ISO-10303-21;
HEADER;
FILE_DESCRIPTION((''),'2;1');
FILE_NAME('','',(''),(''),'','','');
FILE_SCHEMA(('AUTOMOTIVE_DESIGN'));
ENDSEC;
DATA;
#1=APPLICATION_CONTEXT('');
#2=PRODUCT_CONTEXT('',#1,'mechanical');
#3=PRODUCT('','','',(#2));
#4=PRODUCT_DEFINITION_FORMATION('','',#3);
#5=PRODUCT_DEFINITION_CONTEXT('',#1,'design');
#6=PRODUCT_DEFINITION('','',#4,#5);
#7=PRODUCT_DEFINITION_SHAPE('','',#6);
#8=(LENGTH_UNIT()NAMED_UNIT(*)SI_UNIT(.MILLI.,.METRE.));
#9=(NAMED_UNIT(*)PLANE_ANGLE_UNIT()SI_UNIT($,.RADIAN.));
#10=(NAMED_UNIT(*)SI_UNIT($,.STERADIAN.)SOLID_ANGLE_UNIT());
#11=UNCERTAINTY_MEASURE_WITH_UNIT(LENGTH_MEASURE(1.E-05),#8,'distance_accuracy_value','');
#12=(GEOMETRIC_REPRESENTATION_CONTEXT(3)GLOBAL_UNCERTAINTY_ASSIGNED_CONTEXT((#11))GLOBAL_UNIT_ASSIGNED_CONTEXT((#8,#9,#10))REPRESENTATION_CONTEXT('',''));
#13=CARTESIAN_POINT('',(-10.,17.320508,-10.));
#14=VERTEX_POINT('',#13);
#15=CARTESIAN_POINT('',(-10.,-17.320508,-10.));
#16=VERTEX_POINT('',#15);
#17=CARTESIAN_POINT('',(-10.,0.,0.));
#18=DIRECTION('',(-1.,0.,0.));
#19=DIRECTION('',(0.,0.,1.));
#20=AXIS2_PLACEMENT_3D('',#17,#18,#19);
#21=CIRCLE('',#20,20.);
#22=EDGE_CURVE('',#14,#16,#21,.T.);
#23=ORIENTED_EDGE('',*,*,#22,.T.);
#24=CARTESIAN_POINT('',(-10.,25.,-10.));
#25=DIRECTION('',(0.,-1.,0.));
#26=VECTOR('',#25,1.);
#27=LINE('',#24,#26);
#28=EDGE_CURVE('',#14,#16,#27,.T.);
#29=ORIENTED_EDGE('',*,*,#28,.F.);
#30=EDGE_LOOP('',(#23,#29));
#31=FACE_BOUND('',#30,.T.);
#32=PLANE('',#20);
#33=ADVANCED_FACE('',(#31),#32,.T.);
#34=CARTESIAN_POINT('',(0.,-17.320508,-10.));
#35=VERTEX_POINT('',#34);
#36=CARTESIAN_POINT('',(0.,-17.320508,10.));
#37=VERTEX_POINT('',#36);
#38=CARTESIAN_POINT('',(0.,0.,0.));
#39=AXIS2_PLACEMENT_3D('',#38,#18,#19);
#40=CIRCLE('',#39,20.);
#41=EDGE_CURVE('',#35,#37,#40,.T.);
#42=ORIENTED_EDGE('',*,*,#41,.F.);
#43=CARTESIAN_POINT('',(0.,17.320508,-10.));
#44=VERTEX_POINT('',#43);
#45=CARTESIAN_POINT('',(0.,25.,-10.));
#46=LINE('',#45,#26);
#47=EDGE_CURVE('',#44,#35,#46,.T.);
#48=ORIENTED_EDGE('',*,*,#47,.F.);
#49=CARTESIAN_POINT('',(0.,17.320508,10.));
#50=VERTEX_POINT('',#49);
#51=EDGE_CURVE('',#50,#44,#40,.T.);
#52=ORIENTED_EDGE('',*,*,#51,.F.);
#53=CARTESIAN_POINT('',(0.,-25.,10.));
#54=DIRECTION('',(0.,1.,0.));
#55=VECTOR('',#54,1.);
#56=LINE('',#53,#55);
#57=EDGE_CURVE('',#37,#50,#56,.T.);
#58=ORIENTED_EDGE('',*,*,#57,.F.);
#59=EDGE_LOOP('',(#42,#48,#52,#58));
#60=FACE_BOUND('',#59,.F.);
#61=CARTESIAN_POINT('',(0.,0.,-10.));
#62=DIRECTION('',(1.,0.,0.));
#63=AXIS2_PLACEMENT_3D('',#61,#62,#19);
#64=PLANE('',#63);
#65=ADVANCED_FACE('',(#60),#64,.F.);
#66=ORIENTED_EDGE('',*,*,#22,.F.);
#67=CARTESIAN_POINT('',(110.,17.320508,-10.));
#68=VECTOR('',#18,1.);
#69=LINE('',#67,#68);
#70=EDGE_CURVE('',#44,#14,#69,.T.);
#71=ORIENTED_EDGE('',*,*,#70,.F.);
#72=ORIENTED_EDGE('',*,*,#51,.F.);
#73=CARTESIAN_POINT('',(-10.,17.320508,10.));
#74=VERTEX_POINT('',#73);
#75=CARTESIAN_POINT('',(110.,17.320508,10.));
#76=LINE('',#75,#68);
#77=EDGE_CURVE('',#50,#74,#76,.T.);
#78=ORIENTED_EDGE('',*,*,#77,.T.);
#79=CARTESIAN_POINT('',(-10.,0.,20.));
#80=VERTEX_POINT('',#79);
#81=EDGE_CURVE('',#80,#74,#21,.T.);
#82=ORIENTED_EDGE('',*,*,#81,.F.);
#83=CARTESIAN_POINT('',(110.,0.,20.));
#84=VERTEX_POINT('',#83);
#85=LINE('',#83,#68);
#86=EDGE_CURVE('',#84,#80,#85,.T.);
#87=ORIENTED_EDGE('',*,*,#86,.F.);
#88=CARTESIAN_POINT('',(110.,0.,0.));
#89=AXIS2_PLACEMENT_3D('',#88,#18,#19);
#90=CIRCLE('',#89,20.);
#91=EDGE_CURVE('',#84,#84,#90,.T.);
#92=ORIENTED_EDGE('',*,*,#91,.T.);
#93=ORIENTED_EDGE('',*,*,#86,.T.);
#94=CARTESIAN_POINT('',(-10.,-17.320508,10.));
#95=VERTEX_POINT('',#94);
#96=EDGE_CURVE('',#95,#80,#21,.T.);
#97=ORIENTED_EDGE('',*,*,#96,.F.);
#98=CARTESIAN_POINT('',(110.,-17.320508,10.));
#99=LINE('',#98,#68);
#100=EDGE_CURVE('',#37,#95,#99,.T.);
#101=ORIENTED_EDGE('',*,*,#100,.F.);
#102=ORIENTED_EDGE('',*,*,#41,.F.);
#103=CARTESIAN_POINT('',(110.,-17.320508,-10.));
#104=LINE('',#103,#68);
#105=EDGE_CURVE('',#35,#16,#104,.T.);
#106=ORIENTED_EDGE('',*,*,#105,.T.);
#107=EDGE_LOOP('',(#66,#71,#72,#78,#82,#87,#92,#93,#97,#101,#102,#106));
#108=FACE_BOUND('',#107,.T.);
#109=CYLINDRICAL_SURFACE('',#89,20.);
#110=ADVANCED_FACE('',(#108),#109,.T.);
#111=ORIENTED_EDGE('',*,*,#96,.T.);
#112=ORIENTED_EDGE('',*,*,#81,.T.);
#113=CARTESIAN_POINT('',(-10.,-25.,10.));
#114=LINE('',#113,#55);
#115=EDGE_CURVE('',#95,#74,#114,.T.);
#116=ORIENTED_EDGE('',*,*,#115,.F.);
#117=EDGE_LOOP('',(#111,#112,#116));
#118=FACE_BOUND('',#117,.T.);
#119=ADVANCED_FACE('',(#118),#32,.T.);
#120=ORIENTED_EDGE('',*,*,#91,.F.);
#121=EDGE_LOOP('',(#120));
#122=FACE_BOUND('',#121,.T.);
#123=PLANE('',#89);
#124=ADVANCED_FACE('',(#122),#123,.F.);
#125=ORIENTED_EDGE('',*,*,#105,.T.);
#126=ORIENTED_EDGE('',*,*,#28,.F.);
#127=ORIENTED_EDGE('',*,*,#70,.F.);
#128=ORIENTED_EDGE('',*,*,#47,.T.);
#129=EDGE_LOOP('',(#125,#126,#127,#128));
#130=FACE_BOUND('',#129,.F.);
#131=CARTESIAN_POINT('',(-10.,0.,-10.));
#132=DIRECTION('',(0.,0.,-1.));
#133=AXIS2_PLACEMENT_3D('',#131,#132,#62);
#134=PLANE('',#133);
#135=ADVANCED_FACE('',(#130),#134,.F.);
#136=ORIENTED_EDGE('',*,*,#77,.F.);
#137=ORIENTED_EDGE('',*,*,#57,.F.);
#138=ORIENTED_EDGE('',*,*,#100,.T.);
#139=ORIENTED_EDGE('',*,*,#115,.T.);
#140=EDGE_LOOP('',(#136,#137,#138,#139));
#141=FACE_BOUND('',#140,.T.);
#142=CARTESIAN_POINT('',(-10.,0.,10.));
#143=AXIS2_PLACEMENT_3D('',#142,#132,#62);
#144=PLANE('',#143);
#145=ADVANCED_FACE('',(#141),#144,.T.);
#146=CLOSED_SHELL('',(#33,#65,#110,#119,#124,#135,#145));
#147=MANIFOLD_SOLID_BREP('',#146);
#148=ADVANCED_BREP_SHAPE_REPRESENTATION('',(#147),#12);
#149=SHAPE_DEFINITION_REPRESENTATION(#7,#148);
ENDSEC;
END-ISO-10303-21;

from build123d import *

# Parameters (mm, degrees)
F0_W     = 10
F0_H     = 10
F2_DEPTH = 25


with BuildPart() as f1:
    # F0 (on Front) → F1 (revolve)
    with BuildSketch(Plane.XZ):
        with Locations((-5, 5)):
            Rectangle(F0_W, F0_H)
        Polygon((0, 10), (0, 0), (110, 0), (110, 20), (-10, 20), (-10, 10), align=None)
    revolve(axis=Axis((55, 0, 0), (-1, 0, 0)))

    # F0 (on Front) → F2 (cut, symmetric)
    with BuildSketch(Plane.XZ):
        with Locations((-5, 5)):
            Rectangle(F0_W, F0_H)
        with Locations((-5, -5)):
            Rectangle(F0_W, F0_H)
    extrude(amount=F2_DEPTH, both=True, mode=Mode.SUBTRACT)


solid = f1.part
